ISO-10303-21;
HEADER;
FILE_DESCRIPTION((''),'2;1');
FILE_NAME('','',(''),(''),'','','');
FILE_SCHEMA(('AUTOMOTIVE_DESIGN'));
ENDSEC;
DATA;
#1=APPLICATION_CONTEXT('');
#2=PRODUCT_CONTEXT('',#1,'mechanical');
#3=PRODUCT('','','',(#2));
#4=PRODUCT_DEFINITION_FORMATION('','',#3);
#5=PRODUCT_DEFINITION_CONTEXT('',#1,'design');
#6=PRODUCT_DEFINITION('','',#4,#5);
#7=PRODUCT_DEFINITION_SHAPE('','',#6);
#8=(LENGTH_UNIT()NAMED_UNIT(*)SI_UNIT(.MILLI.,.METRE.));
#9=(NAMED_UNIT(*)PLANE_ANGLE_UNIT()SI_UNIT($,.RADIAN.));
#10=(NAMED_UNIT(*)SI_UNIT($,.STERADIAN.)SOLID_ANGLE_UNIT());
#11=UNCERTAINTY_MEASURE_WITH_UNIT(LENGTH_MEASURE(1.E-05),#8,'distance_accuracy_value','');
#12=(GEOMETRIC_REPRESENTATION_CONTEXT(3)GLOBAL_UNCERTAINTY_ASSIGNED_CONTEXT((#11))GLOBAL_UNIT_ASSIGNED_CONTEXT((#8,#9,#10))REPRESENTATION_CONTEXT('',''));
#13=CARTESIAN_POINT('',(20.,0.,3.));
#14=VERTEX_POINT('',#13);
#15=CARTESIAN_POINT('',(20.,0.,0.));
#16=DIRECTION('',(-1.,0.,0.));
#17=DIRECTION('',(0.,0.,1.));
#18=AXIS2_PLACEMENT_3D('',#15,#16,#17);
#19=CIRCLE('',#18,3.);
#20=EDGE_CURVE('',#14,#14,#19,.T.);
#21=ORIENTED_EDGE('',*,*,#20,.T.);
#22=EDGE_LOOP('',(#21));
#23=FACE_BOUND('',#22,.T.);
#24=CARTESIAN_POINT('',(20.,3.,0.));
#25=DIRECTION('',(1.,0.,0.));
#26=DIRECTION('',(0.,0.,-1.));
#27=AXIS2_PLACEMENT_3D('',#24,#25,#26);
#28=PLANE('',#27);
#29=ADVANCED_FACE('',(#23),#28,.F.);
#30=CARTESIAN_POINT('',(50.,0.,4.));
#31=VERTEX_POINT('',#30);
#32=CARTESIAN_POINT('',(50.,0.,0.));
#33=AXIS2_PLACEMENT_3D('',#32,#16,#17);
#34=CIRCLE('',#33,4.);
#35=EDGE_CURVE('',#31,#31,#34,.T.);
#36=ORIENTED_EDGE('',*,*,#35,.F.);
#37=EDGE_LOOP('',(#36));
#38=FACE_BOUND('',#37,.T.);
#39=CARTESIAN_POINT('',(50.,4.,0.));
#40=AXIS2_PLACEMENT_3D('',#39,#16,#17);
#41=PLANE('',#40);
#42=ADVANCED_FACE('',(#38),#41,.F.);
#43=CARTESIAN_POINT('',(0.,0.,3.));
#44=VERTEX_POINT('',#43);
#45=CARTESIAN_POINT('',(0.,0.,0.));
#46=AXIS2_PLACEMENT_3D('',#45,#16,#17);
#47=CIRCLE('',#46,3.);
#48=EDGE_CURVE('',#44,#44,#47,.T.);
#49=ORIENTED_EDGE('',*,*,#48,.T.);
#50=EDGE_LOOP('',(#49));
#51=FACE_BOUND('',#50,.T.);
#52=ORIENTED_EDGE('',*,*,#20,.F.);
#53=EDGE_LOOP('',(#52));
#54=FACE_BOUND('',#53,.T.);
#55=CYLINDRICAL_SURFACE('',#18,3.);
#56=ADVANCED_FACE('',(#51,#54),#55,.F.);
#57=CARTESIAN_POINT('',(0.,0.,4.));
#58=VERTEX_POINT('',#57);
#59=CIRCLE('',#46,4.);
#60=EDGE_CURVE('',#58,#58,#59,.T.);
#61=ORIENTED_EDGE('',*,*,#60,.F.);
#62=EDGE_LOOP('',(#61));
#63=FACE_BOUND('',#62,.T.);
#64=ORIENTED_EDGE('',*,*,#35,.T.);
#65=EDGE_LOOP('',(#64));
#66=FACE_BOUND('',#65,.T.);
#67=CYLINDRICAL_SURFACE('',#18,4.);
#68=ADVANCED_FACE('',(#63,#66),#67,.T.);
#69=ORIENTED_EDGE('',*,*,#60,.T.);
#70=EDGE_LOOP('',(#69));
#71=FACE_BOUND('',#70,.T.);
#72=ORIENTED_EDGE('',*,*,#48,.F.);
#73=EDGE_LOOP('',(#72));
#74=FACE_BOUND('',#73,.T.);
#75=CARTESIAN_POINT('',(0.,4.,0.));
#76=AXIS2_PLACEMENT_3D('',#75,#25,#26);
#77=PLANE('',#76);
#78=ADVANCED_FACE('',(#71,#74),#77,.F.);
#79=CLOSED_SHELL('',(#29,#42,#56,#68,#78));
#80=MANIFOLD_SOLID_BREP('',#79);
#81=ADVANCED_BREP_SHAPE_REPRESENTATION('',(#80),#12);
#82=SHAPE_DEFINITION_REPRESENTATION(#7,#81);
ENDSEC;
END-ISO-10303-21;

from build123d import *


with BuildPart() as part:
    # Esquisse1 → Révolution1 (revolve)
    with BuildSketch(Plane.XY):
        Polygon((0, 4), (0, 3), (20, 3), (20, 0), (50, 0), (50, 4), align=None)
    revolve(axis=Axis((20, 0, 0), (1, 0, 0)))


solid = part.part
